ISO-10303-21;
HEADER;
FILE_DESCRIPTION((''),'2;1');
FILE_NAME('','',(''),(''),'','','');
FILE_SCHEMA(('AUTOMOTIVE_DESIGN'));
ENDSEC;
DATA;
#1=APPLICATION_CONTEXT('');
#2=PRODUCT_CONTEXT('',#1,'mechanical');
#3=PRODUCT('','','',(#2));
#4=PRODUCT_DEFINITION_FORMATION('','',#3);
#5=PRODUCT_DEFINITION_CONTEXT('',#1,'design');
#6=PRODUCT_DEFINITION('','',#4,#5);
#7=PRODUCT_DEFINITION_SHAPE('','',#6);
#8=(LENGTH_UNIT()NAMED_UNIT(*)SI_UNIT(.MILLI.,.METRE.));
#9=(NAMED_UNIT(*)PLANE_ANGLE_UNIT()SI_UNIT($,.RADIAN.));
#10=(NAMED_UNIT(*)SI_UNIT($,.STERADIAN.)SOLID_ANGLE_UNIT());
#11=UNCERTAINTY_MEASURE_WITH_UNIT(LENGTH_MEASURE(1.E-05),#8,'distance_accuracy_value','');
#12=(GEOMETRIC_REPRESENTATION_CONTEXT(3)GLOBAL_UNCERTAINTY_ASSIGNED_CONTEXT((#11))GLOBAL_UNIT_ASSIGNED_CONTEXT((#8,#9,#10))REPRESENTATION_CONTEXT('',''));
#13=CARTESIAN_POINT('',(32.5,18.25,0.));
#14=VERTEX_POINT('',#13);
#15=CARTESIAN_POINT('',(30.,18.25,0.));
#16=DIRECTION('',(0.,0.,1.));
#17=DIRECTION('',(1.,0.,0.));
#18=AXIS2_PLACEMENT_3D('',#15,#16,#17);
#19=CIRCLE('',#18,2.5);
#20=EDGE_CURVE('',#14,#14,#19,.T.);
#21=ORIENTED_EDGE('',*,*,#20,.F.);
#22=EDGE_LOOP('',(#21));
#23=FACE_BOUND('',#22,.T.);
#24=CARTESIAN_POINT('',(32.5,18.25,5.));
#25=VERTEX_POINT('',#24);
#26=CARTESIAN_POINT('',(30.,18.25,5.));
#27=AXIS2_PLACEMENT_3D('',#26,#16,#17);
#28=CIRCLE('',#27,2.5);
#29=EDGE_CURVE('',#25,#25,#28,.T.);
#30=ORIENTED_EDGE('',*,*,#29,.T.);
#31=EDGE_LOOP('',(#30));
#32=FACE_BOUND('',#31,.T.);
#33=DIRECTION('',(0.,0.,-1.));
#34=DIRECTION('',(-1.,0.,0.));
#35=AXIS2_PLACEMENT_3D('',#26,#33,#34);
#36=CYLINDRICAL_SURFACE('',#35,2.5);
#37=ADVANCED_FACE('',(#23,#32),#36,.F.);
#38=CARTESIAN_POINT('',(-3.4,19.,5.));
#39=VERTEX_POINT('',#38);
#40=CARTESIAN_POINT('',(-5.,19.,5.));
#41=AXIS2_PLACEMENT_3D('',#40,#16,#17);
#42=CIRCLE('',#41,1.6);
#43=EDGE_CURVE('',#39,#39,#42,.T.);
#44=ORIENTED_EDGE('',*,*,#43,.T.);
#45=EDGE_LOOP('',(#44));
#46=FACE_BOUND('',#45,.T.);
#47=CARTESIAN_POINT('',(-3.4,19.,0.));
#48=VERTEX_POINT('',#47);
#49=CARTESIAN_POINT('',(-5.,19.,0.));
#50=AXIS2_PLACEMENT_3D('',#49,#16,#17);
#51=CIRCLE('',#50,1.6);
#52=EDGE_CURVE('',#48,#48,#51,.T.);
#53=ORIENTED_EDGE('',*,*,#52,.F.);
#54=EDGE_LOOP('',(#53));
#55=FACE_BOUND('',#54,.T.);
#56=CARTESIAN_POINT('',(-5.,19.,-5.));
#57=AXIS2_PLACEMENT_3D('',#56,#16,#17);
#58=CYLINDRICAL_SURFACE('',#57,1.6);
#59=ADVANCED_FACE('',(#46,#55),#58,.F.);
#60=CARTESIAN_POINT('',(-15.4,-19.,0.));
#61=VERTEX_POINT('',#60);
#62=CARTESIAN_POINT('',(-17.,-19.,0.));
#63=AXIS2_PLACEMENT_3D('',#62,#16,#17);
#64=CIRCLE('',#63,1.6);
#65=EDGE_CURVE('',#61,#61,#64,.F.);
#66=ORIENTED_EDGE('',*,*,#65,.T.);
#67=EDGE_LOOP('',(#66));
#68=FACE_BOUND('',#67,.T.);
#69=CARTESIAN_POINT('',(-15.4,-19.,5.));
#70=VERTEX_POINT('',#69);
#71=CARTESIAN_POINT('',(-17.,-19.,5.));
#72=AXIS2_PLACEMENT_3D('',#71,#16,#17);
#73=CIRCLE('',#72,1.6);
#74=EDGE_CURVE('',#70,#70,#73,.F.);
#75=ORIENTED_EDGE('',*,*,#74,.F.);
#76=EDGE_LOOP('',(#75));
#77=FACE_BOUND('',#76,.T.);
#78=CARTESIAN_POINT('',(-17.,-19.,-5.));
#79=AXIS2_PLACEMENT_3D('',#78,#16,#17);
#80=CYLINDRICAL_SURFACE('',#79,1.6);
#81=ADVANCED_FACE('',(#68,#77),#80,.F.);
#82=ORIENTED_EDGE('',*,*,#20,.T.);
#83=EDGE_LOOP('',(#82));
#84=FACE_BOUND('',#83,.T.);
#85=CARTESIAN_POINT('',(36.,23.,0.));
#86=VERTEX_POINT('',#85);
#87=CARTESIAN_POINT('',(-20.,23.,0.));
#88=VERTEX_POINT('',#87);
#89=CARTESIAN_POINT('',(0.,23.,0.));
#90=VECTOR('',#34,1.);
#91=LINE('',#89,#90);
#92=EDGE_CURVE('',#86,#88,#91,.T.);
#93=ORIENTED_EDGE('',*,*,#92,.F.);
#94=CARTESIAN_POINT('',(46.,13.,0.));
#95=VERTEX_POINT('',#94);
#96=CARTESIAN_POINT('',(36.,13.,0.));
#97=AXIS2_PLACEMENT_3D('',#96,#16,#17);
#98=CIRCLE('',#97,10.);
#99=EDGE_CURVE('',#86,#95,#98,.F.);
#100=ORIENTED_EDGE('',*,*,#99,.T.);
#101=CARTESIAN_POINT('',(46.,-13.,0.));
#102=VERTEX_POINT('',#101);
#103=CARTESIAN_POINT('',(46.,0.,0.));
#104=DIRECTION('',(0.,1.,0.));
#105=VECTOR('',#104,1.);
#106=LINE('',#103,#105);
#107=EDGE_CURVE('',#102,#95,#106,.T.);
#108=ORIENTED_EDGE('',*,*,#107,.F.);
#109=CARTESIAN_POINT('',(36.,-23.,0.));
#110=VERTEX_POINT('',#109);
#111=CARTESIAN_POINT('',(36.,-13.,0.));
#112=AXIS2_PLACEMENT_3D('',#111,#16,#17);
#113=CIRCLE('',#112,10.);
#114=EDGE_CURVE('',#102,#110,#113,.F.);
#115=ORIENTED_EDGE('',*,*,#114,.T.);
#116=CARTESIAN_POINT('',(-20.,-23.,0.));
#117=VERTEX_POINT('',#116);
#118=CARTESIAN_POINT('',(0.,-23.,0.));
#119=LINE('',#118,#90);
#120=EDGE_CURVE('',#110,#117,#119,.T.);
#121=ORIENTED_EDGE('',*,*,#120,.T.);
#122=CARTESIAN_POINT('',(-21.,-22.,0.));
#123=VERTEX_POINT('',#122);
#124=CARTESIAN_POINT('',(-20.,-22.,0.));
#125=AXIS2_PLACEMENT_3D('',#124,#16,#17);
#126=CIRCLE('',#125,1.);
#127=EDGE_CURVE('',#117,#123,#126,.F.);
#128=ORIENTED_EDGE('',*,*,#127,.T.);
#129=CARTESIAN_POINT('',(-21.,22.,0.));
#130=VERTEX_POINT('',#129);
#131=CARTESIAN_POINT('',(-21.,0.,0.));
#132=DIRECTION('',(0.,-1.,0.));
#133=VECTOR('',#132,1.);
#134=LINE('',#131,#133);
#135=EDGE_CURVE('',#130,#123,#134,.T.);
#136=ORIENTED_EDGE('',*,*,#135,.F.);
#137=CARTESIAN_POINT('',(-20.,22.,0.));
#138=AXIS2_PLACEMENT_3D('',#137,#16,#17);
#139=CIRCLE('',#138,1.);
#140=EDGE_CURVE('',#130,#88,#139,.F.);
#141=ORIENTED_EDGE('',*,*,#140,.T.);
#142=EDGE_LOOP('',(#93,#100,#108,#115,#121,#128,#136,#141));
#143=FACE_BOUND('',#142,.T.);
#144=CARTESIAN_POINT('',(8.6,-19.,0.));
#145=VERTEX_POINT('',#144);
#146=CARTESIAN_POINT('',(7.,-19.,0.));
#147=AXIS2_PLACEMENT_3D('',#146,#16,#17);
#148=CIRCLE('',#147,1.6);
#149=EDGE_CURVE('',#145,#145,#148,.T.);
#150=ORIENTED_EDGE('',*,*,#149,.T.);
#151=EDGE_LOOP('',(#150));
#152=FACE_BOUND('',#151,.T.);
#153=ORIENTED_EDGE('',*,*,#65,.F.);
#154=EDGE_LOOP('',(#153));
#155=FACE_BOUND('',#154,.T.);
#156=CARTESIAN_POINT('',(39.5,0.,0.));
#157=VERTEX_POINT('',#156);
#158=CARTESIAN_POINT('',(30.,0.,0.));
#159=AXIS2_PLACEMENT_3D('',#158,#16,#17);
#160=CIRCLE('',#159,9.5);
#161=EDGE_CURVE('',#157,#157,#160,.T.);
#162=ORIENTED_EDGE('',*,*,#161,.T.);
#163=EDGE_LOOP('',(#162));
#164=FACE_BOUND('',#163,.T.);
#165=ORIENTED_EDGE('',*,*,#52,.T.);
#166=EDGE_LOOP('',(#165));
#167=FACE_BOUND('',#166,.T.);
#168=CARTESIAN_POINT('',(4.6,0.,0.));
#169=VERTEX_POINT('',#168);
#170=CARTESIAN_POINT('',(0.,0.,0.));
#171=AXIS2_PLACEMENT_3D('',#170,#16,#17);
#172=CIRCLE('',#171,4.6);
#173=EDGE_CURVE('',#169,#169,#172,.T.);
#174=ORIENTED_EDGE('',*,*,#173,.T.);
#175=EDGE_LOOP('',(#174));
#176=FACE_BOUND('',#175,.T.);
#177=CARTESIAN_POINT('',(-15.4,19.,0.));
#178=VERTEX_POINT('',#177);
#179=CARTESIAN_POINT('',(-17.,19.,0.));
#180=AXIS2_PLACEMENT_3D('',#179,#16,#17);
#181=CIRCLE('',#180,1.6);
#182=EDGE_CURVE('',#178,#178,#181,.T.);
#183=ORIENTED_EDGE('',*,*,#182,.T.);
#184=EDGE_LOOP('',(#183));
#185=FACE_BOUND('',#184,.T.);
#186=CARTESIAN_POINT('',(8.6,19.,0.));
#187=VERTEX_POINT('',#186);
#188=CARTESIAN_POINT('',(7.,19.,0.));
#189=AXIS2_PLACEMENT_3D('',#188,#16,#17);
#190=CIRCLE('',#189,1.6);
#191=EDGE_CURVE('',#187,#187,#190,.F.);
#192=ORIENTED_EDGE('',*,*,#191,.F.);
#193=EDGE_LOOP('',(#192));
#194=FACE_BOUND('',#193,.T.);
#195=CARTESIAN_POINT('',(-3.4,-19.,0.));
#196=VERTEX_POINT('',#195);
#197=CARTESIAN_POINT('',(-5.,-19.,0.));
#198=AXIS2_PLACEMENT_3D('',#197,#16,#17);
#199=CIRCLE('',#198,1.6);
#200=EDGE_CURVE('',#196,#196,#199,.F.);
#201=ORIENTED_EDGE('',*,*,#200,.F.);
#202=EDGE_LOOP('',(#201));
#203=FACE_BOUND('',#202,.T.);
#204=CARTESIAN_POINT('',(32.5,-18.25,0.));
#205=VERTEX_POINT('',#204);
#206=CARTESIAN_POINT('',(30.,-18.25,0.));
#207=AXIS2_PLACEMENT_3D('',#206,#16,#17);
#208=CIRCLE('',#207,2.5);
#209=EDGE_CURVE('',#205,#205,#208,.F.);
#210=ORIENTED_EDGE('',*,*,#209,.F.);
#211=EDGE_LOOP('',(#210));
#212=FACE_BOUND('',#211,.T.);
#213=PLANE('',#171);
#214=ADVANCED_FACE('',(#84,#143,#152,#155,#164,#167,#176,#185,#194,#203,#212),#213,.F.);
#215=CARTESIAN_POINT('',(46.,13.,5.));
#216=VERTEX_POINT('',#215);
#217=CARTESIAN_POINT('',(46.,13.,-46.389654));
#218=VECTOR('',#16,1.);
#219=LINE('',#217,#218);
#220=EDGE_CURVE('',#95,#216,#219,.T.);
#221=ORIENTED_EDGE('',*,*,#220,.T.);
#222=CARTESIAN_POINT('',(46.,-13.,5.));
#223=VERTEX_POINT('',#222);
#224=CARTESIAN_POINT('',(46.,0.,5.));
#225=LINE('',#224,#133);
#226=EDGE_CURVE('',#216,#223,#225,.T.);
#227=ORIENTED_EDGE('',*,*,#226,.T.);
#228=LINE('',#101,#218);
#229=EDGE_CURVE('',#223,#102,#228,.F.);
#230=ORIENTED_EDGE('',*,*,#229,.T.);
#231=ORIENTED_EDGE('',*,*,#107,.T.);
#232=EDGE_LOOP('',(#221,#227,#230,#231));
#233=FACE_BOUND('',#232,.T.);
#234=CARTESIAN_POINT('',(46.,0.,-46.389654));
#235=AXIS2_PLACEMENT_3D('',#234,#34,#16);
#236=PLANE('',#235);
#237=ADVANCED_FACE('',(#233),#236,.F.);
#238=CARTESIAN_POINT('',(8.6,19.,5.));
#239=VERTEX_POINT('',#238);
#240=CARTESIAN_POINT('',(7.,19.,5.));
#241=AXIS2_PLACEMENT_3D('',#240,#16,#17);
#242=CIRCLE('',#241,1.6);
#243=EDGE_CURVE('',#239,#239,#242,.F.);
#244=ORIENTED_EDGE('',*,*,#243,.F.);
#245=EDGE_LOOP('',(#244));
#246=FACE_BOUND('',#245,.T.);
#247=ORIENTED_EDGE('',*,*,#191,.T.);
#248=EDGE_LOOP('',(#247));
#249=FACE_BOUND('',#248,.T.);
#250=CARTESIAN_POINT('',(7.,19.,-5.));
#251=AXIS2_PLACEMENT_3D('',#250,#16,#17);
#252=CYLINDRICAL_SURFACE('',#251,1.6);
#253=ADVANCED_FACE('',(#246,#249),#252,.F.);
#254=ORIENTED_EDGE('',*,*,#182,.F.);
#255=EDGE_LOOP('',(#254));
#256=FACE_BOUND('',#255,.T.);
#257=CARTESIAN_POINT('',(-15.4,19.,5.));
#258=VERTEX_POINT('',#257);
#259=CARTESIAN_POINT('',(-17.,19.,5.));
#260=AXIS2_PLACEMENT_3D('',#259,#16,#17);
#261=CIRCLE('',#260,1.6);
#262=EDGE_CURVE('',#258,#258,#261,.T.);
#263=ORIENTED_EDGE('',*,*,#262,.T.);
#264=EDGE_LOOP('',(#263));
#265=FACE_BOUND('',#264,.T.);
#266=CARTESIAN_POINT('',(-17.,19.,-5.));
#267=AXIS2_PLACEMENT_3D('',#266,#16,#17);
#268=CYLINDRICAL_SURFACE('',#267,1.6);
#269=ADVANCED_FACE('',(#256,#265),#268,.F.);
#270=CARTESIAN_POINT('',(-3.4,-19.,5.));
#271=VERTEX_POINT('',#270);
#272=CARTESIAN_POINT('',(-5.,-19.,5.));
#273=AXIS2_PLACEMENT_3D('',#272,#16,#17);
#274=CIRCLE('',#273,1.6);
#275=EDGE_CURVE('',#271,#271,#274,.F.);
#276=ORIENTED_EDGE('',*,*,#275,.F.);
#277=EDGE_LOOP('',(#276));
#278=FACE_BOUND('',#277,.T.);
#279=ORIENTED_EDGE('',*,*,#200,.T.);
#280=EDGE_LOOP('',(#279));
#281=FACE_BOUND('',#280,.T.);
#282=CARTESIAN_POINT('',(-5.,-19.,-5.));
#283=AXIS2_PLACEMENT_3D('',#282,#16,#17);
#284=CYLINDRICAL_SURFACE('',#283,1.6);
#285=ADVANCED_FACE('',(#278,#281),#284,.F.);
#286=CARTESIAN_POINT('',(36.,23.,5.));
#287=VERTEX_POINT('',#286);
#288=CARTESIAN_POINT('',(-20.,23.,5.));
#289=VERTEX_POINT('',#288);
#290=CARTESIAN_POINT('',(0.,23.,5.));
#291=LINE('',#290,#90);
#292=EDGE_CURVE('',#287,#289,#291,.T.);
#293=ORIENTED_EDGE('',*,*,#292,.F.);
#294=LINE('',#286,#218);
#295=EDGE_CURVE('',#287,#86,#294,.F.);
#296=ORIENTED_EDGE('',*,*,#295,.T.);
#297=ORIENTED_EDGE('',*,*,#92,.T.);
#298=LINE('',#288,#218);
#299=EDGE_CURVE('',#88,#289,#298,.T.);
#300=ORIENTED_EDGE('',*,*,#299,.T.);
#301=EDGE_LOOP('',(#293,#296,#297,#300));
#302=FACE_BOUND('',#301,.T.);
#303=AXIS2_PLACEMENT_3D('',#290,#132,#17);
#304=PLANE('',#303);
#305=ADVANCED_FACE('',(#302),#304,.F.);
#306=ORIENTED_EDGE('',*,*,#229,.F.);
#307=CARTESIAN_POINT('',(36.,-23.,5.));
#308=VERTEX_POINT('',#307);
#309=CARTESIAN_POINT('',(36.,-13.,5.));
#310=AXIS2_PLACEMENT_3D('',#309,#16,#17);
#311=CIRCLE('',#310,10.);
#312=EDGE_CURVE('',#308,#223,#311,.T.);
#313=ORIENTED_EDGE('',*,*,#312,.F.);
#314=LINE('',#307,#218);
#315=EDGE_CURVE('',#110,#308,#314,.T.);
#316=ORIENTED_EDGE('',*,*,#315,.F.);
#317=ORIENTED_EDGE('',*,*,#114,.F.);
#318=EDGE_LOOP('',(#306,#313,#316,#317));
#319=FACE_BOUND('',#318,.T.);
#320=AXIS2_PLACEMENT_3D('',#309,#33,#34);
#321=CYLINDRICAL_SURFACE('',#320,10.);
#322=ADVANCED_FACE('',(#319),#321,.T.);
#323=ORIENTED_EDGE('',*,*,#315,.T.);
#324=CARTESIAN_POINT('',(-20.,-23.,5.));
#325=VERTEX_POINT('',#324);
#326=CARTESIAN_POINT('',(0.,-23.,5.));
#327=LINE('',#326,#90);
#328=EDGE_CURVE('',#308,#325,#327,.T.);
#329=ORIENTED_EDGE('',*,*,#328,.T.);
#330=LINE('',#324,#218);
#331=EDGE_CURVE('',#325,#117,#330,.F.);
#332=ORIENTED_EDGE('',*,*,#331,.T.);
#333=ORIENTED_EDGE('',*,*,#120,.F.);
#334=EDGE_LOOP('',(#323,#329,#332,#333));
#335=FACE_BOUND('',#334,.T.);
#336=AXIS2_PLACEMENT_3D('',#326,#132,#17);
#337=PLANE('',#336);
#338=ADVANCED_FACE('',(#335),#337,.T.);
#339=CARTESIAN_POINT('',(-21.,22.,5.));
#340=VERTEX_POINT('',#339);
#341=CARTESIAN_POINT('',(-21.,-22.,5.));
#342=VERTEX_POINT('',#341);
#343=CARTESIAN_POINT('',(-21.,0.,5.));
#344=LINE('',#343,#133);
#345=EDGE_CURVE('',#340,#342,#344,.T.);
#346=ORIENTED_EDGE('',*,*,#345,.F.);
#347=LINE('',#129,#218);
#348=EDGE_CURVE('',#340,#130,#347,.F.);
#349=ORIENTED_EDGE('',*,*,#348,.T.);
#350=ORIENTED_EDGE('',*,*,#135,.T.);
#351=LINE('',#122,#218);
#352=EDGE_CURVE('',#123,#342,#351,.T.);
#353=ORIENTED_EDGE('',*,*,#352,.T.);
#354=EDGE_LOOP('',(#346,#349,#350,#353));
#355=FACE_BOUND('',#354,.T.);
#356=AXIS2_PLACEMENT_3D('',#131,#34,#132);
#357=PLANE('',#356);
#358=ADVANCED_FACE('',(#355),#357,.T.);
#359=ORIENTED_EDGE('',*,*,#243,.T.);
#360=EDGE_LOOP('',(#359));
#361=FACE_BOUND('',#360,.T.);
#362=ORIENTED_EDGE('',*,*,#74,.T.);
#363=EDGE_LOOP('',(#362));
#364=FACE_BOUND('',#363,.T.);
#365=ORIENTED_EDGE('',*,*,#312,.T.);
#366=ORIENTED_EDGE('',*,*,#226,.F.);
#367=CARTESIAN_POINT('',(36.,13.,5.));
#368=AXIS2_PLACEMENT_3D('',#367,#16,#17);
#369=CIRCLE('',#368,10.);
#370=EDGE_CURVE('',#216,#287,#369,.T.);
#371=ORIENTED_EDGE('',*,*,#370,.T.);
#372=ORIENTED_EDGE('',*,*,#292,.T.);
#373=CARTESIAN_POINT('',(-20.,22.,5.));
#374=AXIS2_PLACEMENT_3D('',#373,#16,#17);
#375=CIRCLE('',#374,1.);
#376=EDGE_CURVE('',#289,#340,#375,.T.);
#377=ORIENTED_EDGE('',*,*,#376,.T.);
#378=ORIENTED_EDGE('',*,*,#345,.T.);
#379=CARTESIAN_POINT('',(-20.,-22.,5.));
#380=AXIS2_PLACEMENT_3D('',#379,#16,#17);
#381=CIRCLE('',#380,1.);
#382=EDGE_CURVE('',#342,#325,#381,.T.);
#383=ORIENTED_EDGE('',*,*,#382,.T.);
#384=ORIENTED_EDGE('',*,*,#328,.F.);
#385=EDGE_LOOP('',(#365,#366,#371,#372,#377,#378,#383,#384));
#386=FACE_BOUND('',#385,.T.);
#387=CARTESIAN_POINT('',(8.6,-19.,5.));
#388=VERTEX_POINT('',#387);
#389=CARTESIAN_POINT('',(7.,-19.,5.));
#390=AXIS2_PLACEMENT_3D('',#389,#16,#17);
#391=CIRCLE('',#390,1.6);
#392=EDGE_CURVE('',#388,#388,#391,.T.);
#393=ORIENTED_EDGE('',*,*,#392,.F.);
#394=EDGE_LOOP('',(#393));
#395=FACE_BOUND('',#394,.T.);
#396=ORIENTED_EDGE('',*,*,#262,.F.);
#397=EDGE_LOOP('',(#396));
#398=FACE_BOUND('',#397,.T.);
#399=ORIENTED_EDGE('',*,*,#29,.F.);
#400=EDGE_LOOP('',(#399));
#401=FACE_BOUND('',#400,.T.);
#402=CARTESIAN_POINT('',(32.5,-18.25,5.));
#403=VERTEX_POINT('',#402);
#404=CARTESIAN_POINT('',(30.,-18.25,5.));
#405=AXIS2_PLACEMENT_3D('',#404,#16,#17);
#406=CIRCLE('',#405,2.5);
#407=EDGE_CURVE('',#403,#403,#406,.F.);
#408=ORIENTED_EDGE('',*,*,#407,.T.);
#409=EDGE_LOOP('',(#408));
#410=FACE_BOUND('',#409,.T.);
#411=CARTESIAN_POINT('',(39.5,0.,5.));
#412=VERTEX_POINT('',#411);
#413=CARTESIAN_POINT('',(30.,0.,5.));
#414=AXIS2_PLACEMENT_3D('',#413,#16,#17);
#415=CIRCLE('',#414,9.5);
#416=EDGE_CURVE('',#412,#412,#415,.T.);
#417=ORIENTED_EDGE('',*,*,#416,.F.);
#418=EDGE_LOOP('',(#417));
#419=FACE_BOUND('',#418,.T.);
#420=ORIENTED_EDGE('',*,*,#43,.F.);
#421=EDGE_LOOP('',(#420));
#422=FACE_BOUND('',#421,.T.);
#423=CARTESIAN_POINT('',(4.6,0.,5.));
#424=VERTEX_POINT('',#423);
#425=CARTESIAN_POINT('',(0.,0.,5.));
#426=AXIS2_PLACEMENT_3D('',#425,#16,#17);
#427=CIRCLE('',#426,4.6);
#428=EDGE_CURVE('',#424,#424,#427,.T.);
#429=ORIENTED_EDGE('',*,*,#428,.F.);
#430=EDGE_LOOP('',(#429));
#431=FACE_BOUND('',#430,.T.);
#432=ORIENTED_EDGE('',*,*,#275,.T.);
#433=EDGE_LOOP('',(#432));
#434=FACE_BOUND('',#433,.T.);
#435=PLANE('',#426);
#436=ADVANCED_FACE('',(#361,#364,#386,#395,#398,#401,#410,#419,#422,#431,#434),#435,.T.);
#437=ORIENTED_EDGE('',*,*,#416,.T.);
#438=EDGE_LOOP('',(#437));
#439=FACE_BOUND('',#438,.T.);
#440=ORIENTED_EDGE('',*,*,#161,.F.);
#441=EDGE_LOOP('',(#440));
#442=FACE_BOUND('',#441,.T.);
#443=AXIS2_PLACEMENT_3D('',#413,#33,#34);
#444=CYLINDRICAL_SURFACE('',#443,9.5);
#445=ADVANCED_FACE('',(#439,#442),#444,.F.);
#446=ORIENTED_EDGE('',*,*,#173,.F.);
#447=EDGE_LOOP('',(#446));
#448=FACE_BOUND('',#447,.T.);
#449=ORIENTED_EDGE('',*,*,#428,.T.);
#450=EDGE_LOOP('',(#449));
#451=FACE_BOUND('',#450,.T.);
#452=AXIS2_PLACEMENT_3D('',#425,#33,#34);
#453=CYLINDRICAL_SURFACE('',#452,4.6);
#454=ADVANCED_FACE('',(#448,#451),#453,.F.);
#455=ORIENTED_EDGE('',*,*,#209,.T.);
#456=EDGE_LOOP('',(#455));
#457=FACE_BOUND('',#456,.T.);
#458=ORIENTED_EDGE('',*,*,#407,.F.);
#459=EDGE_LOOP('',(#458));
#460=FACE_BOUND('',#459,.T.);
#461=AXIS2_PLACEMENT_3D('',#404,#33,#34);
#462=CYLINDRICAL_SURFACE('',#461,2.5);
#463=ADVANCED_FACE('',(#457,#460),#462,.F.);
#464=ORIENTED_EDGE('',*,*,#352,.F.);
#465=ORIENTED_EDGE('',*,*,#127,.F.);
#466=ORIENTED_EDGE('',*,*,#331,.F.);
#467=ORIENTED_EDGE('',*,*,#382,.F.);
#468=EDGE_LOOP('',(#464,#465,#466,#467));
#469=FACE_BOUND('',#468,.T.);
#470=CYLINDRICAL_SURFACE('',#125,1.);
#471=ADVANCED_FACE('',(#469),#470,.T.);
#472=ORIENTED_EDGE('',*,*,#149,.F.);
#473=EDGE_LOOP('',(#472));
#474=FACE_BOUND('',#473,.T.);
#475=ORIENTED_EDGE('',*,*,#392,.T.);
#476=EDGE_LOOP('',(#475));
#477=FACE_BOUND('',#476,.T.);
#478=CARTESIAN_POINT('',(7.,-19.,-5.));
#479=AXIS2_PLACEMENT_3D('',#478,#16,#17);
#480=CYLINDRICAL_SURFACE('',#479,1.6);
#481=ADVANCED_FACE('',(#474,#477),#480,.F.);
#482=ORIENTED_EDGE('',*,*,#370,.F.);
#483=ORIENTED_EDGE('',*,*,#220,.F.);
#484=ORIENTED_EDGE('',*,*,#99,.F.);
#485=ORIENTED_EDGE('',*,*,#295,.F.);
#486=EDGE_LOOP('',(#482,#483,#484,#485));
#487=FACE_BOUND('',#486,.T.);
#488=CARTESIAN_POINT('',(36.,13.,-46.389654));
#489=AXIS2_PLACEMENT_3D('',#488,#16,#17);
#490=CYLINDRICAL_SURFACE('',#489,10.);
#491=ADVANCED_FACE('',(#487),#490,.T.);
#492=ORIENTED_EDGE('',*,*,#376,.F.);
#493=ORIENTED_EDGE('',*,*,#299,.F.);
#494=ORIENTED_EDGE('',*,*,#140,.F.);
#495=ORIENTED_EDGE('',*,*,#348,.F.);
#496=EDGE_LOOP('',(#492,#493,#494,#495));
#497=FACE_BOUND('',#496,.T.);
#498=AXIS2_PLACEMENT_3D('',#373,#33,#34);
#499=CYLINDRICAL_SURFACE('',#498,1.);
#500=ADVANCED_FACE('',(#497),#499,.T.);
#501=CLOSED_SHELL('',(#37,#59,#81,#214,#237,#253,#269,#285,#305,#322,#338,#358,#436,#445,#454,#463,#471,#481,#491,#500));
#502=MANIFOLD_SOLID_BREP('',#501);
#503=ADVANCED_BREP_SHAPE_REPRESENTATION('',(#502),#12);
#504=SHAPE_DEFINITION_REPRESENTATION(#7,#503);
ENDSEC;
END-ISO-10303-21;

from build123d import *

# Parameters (mm, degrees)
SKETCH1_W           = 65
SKETCH1_H           = 46
SKETCH1_R           = 4.6
SKETCH1_R_2         = 2.5
BOSS_EXTRUDE1_DEPTH = 5
SKETCH2_R           = 1.6
CUT_EXTRUDE1_DEPTH  = 10
SKETCH3_W           = 4
SKETCH3_H           = 46
CUT_EXTRUDE2_DEPTH  = 6
SKETCH4_W           = 6
SKETCH4_H           = 46
BOSS_EXTRUDE2_DEPTH = 5
FILLET1_R           = 10
FILLET2_R           = 1


with BuildPart() as part:
    # Sketch1 → Boss-Extrude1 (new body)
    with BuildSketch(Plane.XY):
        with Locations((7.5, 0)):
            Rectangle(SKETCH1_W, SKETCH1_H)
        Circle(SKETCH1_R, mode=Mode.SUBTRACT)
        with Locations((30, -18.25)):
            Circle(SKETCH1_R_2, mode=Mode.SUBTRACT)
        with BuildLine():
            ThreePointArc((39.5, 0), (23.282485579, -6.717514421), (30, 9.5))
            ThreePointArc((30, 9.5), (36.717514421, 6.717514421), (39.5, 0))
        make_face(mode=Mode.SUBTRACT)
        with BuildLine():
            ThreePointArc((32.5, 18.25), (31.767766953, 16.482233047), (30, 15.75))
            ThreePointArc((30, 15.75), (28.232233047, 20.017766953), (32.5, 18.25))
        make_face(mode=Mode.SUBTRACT)
    extrude(amount=BOSS_EXTRUDE1_DEPTH)

    # Sketch2 → Cut-Extrude1 (cut)
    with BuildSketch(Plane.XY.offset(5)):
        with Locations((7, 19)):
            Circle(SKETCH2_R)
        with Locations((-5, -19)):
            Circle(SKETCH2_R)
        with Locations((-17, 19)):
            Circle(SKETCH2_R)
        with Locations((-5, 19)):
            Circle(SKETCH2_R)
        with Locations((7, -19)):
            Circle(SKETCH2_R)
        with Locations((-17, -19)):
            Circle(SKETCH2_R)
    extrude(amount=-CUT_EXTRUDE1_DEPTH, mode=Mode.SUBTRACT)

    # Sketch3 → Cut-Extrude2 (cut, through all)
    with BuildSketch(Plane.XY.offset(5)):
        with Locations((-23, 0)):
            Rectangle(SKETCH3_W, SKETCH3_H)
    extrude(amount=-CUT_EXTRUDE2_DEPTH, mode=Mode.SUBTRACT)

    # Sketch4 → Boss-Extrude2 (add)
    with BuildSketch(Plane.XY.offset(5)):
        with Locations((43, 0)):
            Rectangle(SKETCH4_W, SKETCH4_H)
    extrude(amount=-BOSS_EXTRUDE2_DEPTH)

    # Fillet1
    fillet1_edges = [part.edges().sort_by_distance(p)[0] for p in [
        (46, -23, 2.5),
        (46, 23, 2.5),
    ]]
    fillet(fillet1_edges, radius=FILLET1_R)

    # Fillet2
    fillet2_edges = [part.edges().sort_by_distance(p)[0] for p in [
        (-21, 23, 2.5),
        (-21, -23, 2.5),
    ]]
    fillet(fillet2_edges, radius=FILLET2_R)


solid = part.part
